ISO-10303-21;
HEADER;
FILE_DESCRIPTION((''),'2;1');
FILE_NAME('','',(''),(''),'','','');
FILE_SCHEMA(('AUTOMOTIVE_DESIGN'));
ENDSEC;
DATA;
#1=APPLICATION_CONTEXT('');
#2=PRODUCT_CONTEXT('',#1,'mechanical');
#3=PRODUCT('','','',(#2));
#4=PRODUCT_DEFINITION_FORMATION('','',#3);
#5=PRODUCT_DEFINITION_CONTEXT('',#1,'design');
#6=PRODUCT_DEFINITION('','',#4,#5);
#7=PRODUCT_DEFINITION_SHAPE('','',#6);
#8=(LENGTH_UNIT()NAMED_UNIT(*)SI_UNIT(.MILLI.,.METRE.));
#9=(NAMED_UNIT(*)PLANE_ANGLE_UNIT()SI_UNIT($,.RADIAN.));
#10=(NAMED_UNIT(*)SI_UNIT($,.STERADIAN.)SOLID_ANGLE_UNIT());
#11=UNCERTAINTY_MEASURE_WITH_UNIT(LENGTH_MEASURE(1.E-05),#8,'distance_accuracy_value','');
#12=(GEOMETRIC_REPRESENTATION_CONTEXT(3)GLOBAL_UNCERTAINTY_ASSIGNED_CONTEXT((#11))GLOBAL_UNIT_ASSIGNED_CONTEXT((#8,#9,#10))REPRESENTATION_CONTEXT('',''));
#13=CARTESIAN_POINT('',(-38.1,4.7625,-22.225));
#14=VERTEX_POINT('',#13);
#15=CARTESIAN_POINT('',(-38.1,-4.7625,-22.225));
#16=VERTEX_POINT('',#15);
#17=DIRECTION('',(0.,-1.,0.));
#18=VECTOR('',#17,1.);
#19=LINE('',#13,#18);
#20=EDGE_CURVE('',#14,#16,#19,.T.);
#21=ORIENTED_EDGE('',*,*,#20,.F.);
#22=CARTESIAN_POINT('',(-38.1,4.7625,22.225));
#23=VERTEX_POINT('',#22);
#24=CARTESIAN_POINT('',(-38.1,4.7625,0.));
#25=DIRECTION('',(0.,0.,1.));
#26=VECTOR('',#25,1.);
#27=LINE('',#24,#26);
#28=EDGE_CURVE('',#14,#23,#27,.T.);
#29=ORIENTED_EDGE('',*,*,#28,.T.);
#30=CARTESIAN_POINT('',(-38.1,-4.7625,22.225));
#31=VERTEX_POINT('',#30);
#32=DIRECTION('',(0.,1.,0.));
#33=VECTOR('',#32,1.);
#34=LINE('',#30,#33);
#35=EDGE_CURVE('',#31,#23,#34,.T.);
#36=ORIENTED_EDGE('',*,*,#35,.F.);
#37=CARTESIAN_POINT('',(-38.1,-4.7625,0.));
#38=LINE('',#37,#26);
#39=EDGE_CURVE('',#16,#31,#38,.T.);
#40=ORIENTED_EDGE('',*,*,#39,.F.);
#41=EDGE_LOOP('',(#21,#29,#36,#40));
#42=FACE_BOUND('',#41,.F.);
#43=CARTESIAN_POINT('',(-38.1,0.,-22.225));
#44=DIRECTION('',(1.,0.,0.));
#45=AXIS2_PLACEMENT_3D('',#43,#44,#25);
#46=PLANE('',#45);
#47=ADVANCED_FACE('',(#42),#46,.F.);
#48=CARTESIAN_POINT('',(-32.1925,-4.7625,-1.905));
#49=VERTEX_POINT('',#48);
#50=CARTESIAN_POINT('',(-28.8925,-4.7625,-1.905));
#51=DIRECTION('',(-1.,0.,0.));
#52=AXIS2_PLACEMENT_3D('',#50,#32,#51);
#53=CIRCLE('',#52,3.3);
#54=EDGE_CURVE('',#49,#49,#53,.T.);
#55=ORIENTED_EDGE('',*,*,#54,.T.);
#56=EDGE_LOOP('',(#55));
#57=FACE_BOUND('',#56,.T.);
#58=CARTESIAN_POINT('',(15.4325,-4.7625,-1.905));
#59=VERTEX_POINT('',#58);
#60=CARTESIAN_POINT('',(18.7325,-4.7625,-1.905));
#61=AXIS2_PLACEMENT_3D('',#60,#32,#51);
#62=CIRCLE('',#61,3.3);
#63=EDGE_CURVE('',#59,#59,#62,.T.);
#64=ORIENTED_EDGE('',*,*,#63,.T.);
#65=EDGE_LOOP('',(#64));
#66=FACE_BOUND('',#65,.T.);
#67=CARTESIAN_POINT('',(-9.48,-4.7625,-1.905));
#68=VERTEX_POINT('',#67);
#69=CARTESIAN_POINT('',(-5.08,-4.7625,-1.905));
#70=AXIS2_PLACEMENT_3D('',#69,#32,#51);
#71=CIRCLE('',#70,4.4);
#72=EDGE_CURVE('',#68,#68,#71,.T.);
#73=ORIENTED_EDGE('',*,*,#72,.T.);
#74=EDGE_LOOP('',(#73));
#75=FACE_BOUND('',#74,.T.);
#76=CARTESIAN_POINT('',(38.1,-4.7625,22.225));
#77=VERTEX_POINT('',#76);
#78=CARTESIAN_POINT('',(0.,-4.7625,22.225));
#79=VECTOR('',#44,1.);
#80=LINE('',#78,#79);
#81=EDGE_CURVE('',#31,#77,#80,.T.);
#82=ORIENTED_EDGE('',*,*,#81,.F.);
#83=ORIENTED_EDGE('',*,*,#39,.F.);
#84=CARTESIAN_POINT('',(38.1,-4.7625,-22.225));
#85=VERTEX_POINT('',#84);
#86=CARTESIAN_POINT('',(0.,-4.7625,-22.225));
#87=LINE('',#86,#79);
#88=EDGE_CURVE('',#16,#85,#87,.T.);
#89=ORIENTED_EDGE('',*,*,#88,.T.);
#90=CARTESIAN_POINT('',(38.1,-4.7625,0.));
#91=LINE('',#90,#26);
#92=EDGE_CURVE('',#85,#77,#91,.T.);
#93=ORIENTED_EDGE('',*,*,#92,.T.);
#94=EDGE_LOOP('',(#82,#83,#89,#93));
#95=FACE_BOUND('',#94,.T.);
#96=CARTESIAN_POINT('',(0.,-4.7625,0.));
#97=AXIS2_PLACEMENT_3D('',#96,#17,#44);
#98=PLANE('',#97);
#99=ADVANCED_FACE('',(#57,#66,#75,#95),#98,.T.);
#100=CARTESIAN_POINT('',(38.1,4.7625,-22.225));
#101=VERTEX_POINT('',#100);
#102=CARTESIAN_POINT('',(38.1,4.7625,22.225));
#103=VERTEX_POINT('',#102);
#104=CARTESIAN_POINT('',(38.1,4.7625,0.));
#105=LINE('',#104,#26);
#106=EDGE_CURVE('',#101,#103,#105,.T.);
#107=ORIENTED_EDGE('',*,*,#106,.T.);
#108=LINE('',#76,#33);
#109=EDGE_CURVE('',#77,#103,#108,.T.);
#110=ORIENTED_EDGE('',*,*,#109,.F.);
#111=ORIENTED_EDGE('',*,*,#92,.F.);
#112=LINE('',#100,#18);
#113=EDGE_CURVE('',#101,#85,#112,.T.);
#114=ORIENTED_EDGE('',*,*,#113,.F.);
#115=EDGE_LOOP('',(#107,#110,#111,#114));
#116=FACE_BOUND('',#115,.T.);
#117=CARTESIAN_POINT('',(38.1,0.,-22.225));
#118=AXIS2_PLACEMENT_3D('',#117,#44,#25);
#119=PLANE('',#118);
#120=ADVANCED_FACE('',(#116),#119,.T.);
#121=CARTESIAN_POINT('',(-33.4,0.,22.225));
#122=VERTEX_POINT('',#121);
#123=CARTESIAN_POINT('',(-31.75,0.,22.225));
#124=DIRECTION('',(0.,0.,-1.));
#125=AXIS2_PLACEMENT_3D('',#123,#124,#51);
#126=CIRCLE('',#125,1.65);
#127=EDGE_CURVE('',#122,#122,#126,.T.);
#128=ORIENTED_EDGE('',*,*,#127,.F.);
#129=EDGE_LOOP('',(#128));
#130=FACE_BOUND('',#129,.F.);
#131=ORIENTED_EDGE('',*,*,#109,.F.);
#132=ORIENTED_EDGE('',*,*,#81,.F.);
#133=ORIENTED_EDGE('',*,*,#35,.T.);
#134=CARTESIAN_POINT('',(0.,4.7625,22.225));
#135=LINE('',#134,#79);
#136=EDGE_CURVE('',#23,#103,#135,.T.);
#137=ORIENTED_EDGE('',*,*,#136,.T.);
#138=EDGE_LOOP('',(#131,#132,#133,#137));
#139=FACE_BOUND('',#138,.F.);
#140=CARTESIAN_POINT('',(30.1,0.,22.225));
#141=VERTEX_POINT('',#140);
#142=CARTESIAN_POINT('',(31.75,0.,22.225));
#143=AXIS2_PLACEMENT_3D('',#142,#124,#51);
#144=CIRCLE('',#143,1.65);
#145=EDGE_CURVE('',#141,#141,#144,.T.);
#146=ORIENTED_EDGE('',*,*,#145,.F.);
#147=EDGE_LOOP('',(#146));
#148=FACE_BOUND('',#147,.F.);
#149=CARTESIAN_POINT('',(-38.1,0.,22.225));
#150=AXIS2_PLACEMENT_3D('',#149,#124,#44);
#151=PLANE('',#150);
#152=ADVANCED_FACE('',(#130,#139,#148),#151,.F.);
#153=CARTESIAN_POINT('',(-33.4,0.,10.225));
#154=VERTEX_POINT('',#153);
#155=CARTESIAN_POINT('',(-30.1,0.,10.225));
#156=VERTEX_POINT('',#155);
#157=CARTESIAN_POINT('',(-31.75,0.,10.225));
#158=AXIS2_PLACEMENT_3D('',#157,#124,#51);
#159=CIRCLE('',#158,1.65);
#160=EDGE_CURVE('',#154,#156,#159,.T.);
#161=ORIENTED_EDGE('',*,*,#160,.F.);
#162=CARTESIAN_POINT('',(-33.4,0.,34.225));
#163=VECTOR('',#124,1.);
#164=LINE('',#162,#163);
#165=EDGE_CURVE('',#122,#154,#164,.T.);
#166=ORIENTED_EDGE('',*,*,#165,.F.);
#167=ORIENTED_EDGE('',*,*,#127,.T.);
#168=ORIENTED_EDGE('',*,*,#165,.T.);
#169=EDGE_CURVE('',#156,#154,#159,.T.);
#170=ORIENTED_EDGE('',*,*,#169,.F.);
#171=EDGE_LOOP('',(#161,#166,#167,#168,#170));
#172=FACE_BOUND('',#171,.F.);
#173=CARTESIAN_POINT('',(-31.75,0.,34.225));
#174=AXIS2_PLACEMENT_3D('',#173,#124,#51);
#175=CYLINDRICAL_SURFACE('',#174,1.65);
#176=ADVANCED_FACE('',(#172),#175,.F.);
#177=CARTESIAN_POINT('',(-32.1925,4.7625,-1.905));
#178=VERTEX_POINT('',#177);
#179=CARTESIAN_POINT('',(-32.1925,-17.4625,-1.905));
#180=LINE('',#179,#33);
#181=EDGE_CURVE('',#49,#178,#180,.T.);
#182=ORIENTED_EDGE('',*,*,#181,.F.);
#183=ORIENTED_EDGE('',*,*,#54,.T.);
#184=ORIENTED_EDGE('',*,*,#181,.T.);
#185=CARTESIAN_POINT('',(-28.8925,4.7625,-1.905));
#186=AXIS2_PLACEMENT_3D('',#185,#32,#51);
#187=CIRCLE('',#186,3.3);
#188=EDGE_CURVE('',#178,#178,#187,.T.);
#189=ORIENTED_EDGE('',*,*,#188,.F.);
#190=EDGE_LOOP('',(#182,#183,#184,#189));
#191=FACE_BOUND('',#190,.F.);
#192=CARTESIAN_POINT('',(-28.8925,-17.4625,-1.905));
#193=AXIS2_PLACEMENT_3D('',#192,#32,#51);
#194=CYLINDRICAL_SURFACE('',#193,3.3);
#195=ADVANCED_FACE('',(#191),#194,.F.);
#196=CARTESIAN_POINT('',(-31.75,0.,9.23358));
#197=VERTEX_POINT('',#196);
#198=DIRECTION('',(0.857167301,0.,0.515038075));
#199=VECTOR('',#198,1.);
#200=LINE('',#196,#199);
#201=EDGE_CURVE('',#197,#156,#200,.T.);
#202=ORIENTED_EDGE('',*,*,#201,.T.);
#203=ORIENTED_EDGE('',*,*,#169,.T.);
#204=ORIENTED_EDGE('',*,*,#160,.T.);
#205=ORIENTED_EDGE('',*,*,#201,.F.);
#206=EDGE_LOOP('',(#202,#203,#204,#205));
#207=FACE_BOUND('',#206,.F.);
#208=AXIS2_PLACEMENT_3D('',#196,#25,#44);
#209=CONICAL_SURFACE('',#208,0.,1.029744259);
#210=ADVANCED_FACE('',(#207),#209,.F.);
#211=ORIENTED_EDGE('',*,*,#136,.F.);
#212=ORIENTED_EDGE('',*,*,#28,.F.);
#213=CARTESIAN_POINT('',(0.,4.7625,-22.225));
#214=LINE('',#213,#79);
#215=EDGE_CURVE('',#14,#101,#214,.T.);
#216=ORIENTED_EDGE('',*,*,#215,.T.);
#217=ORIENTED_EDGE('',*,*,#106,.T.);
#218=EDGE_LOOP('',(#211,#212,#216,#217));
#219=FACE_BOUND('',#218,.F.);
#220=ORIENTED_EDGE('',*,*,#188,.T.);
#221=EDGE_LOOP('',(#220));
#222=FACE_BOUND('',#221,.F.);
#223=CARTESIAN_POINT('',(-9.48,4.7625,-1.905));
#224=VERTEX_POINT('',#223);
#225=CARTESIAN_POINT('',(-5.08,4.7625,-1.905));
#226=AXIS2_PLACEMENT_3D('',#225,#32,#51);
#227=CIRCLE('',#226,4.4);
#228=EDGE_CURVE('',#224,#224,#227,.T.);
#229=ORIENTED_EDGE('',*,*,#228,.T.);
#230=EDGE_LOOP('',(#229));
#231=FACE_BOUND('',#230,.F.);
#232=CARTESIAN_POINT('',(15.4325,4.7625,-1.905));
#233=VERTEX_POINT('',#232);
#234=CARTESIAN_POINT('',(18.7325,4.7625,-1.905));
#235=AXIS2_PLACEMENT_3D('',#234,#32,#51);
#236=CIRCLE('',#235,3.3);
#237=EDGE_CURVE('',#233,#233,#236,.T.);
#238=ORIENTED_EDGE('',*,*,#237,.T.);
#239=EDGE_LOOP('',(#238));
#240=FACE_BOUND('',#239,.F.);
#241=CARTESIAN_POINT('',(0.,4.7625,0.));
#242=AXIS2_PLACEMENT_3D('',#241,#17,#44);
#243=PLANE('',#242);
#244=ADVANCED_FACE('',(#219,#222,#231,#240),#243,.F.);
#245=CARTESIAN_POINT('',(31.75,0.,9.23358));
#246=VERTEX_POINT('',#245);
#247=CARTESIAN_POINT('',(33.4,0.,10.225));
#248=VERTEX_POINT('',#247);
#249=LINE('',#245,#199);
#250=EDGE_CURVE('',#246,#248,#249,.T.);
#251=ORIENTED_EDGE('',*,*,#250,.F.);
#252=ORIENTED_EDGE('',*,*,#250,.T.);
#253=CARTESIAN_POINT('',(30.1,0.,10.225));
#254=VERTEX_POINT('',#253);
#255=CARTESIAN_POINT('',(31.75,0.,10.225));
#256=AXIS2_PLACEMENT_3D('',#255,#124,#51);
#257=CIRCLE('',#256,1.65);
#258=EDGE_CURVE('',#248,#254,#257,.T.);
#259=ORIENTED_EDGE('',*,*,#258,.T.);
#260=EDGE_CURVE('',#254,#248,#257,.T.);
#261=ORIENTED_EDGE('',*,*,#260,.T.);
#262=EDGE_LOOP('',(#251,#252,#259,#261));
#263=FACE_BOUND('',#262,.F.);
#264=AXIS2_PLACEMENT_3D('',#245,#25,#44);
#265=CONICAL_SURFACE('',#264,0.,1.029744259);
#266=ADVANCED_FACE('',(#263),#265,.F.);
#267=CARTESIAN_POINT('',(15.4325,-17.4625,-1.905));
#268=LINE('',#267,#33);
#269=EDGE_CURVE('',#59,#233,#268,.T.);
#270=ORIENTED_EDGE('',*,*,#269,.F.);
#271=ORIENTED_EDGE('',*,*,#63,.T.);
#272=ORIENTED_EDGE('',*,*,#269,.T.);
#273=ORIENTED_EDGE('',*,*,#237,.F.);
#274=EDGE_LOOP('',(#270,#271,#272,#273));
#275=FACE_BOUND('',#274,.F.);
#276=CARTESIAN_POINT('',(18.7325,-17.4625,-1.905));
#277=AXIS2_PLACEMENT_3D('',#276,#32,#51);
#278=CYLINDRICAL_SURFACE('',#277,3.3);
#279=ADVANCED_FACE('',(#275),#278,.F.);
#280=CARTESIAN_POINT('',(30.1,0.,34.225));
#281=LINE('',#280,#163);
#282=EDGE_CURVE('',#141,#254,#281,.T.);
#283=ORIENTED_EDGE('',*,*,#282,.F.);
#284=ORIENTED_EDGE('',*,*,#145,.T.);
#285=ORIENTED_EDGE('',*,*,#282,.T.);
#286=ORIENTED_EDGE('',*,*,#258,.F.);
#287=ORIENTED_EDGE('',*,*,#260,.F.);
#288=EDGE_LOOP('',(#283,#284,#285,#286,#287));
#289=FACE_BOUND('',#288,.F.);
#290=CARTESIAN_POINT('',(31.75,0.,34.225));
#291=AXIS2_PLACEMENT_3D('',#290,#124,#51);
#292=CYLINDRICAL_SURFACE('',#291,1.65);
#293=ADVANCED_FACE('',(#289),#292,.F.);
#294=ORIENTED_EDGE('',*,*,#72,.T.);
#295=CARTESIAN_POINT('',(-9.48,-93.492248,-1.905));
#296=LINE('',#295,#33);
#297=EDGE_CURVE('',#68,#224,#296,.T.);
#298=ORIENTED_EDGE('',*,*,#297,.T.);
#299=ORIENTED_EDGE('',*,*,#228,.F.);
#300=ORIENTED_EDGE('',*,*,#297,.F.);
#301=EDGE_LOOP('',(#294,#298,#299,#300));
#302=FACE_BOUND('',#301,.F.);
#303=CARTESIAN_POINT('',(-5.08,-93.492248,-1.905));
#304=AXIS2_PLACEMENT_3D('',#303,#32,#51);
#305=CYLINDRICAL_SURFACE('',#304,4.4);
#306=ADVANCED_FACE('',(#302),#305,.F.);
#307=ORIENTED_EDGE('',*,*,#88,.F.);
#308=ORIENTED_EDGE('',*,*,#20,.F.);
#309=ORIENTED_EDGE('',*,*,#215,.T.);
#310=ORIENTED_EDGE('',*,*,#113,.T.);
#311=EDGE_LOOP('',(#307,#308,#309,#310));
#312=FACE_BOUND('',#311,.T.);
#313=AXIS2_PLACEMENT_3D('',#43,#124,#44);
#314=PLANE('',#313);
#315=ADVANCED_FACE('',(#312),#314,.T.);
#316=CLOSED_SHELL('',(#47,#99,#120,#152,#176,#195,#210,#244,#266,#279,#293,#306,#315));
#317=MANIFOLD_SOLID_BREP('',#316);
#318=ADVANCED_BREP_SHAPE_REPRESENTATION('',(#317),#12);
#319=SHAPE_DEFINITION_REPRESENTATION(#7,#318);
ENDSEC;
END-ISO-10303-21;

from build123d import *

# Parameters (mm, degrees)
F0_W     = 76.2
F0_H     = 44.45
F1_DEPTH = 4.7625
F3_D     = 3.3
F3_DEPTH = 12
F3_TIP   = 0.9914200214
F5_D     = 6.6
F5_DEPTH = 12.7
F5_TIP   = 1.9828400428
F7_D     = 8.8


with BuildPart() as f1:
    # F0 (on Front) → F1 (new body, symmetric)
    with BuildSketch(Plane.XZ):
        Rectangle(F0_W, F0_H)
    extrude(amount=F1_DEPTH, both=True)

    # F3
    with Locations(Plane.XY.offset(22.225)):
        with Locations((-31.75, 0), (31.75, 0)):
            Hole(F3_D / 2, depth=F3_DEPTH)
            with Locations((0, 0, -(F3_DEPTH + F3_TIP / 2))):  # 118° drill point
                Cone(0, F3_D / 2, F3_TIP, mode=Mode.SUBTRACT)

    # F5
    with Locations(Plane.XZ.offset(4.7625)):
        with Locations((-28.8925, -1.905), (18.7325, -1.905)):
            Hole(F5_D / 2, depth=F5_DEPTH)
            with Locations((0, 0, -(F5_DEPTH + F5_TIP / 2))):  # 118° drill point
                Cone(0, F5_D / 2, F5_TIP, mode=Mode.SUBTRACT)

    # F7 (through all)
    with Locations(Plane.XZ.offset(4.7625)):
        with Locations((-5.08, -1.905)):
            Hole(F7_D / 2)


solid = f1.part
